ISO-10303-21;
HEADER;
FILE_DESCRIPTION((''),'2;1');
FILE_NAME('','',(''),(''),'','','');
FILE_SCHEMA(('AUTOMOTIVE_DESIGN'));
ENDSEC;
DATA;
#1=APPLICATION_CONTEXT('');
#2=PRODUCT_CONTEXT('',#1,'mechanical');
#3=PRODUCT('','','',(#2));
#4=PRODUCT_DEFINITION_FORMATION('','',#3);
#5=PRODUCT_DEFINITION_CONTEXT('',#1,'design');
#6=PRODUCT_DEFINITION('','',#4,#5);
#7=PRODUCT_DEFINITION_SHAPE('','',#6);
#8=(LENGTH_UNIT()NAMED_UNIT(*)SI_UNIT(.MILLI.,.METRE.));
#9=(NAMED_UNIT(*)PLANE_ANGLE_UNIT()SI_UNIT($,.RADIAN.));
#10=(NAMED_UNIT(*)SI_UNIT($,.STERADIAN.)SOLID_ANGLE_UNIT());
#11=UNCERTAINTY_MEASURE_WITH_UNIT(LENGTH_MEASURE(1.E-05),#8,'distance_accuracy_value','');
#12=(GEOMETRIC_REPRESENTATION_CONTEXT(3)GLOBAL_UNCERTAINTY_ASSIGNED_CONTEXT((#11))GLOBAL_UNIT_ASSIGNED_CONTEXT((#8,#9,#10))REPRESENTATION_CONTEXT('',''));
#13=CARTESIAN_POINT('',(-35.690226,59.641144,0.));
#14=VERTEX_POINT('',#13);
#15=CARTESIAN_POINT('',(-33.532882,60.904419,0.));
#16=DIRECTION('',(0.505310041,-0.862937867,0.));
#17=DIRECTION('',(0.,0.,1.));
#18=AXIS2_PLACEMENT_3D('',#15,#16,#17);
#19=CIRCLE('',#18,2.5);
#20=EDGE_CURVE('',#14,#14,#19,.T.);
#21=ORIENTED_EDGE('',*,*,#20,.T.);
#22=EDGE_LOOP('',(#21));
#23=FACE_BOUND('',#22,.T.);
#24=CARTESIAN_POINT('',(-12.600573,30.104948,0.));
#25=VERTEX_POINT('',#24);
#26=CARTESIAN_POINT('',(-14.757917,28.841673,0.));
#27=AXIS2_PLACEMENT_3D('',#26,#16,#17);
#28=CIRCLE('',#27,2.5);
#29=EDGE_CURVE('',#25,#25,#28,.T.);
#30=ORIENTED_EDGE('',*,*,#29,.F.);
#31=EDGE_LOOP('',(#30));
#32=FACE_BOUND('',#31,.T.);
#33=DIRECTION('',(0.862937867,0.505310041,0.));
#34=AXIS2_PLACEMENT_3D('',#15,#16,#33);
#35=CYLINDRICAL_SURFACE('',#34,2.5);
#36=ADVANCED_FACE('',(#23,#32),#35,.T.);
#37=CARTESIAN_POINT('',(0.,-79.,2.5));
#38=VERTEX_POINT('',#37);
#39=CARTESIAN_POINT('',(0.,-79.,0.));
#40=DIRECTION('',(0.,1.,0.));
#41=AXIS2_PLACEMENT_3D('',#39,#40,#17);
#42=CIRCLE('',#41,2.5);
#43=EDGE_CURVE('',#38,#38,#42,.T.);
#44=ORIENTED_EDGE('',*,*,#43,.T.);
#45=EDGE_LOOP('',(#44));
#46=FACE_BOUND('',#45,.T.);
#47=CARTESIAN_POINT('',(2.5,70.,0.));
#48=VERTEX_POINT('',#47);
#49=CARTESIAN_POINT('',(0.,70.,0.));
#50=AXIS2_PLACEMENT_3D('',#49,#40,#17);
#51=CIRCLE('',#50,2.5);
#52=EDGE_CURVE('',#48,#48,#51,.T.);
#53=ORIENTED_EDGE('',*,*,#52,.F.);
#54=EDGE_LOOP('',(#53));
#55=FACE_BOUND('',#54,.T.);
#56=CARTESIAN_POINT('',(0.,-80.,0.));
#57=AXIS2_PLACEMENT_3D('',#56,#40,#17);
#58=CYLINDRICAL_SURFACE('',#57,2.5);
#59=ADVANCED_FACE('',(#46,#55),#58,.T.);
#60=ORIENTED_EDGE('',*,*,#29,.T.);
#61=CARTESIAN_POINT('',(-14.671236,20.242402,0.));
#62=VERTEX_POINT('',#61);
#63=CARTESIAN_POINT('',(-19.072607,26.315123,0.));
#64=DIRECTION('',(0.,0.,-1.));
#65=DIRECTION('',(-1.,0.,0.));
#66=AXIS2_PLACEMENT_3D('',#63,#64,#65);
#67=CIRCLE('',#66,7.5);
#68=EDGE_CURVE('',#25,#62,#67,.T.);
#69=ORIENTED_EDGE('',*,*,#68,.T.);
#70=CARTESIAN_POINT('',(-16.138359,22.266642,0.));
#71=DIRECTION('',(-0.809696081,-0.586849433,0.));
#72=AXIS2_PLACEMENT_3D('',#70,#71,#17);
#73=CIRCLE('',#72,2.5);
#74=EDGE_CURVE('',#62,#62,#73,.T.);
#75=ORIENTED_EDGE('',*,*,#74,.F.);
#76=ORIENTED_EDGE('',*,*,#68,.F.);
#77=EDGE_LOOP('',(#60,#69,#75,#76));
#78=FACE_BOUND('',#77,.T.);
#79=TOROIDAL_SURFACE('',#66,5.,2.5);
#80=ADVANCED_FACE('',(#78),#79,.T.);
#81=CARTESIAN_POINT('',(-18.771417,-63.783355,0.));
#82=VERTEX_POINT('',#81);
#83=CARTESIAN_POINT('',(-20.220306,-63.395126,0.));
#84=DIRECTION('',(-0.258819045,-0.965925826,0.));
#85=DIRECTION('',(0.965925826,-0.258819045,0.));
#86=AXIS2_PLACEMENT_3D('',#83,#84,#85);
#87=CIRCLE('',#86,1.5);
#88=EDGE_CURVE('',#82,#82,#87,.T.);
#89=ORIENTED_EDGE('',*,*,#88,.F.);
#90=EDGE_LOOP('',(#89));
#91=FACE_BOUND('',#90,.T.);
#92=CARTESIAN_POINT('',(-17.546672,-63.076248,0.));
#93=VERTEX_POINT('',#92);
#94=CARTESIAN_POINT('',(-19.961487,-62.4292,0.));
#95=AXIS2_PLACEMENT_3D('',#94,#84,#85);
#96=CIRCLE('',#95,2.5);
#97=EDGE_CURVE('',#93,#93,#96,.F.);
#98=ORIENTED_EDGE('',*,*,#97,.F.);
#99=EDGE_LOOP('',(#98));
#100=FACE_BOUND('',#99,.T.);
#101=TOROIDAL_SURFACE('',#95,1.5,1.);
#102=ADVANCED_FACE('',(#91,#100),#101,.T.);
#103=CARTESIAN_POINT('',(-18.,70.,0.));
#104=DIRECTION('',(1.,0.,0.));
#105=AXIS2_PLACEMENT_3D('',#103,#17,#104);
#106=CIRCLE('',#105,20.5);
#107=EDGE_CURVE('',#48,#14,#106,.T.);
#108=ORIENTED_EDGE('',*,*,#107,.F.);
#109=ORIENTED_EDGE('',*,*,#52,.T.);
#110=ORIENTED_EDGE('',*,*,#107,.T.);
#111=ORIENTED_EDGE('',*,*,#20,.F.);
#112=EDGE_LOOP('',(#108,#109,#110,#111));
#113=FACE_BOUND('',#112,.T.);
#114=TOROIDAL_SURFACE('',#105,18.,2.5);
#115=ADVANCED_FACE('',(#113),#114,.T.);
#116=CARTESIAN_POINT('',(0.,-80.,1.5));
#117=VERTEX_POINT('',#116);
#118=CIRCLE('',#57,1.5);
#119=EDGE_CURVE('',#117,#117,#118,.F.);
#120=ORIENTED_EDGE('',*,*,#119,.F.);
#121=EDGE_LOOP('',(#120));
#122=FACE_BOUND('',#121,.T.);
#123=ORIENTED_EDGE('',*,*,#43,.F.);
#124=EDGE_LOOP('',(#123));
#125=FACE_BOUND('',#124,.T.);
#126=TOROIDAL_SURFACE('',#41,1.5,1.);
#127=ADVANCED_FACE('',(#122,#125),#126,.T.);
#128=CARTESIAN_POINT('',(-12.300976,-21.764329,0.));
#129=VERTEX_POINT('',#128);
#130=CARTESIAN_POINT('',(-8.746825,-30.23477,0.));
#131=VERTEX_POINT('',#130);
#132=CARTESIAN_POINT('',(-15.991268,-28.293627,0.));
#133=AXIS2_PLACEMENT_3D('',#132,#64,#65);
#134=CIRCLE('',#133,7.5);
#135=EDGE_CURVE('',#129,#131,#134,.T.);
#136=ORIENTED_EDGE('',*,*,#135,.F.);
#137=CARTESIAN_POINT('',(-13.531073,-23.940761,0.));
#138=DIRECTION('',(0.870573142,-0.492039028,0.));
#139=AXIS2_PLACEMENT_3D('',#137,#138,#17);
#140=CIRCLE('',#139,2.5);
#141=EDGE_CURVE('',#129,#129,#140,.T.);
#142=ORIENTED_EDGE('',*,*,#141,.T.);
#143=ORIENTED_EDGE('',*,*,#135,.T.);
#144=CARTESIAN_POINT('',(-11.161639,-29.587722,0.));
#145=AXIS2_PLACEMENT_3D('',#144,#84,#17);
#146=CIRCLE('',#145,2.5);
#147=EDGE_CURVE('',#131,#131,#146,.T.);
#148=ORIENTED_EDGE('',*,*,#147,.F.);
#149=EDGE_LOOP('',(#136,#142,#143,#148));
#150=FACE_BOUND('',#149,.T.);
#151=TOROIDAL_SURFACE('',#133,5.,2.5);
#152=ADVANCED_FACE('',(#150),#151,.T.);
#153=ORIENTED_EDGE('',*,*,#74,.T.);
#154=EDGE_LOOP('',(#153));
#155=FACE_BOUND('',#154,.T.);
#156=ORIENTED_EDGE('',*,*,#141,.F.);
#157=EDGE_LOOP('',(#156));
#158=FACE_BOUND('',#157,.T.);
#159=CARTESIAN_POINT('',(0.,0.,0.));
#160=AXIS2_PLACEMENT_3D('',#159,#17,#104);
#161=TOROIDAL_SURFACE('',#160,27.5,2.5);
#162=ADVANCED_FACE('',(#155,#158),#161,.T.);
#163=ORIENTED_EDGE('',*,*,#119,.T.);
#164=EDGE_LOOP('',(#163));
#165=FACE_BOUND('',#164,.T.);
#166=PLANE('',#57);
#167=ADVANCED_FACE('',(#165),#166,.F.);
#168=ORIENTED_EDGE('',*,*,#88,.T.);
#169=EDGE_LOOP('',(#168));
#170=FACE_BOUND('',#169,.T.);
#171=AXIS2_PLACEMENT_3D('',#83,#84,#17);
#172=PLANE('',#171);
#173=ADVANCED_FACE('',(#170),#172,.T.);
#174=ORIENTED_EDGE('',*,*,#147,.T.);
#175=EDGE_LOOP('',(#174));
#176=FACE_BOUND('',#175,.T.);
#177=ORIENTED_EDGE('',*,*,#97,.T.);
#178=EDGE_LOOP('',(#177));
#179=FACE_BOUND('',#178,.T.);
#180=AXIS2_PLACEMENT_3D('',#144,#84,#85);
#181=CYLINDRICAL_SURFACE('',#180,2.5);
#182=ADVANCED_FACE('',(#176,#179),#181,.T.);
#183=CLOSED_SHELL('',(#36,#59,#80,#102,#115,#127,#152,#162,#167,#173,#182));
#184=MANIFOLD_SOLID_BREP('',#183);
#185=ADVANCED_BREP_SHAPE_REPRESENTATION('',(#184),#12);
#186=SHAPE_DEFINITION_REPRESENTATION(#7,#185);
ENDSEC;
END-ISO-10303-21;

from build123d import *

# Parameters (mm, degrees)
SKETCH2_R = 2.5
FILLET1_R = 1


with BuildPart() as part:
    # Sweep1: sweep along a path in Sketch1
    with BuildLine(Plane.XY) as sweep1_path:
        Line((0, -80), (0, 70))
        ThreePointArc((0, 70), (-22.712119009, 87.372274878), (-33.532881605, 60.904419258))
        Line((-33.532881605, 60.904419258), (-14.757917224, 28.841672836))
        ThreePointArc((-14.757917224, 28.841672836), (-14.179292041, 25.28776046), (-16.138359396, 22.266642226))
        ThreePointArc((-16.138359396, 22.266642226), (-27.456326157, -1.549243036), (-13.53107327, -23.940761395))
        ThreePointArc((-13.53107327, -23.940761395), (-11.380690743, -26.359053874), (-11.161639279, -29.587722328))
        Line((-11.161639279, -29.587722328), (-20.220305857, -63.395126248))
    # Sketch2 → Sweep1 (sweep)
    with BuildSketch(Plane(origin=(0, -80, 0), x_dir=(1, 0, 0), z_dir=(0, 1, 0))):
        Circle(SKETCH2_R)
    sweep(path=sweep1_path.line)

    # Fillet1
    fillet1_edges = [part.edges().sort_by_distance(p)[0] for p in [
        (-17.805491292, -64.042173861, 0),
        (-2.5, -80, 0),
    ]]
    fillet(fillet1_edges, radius=FILLET1_R)


solid = part.part
